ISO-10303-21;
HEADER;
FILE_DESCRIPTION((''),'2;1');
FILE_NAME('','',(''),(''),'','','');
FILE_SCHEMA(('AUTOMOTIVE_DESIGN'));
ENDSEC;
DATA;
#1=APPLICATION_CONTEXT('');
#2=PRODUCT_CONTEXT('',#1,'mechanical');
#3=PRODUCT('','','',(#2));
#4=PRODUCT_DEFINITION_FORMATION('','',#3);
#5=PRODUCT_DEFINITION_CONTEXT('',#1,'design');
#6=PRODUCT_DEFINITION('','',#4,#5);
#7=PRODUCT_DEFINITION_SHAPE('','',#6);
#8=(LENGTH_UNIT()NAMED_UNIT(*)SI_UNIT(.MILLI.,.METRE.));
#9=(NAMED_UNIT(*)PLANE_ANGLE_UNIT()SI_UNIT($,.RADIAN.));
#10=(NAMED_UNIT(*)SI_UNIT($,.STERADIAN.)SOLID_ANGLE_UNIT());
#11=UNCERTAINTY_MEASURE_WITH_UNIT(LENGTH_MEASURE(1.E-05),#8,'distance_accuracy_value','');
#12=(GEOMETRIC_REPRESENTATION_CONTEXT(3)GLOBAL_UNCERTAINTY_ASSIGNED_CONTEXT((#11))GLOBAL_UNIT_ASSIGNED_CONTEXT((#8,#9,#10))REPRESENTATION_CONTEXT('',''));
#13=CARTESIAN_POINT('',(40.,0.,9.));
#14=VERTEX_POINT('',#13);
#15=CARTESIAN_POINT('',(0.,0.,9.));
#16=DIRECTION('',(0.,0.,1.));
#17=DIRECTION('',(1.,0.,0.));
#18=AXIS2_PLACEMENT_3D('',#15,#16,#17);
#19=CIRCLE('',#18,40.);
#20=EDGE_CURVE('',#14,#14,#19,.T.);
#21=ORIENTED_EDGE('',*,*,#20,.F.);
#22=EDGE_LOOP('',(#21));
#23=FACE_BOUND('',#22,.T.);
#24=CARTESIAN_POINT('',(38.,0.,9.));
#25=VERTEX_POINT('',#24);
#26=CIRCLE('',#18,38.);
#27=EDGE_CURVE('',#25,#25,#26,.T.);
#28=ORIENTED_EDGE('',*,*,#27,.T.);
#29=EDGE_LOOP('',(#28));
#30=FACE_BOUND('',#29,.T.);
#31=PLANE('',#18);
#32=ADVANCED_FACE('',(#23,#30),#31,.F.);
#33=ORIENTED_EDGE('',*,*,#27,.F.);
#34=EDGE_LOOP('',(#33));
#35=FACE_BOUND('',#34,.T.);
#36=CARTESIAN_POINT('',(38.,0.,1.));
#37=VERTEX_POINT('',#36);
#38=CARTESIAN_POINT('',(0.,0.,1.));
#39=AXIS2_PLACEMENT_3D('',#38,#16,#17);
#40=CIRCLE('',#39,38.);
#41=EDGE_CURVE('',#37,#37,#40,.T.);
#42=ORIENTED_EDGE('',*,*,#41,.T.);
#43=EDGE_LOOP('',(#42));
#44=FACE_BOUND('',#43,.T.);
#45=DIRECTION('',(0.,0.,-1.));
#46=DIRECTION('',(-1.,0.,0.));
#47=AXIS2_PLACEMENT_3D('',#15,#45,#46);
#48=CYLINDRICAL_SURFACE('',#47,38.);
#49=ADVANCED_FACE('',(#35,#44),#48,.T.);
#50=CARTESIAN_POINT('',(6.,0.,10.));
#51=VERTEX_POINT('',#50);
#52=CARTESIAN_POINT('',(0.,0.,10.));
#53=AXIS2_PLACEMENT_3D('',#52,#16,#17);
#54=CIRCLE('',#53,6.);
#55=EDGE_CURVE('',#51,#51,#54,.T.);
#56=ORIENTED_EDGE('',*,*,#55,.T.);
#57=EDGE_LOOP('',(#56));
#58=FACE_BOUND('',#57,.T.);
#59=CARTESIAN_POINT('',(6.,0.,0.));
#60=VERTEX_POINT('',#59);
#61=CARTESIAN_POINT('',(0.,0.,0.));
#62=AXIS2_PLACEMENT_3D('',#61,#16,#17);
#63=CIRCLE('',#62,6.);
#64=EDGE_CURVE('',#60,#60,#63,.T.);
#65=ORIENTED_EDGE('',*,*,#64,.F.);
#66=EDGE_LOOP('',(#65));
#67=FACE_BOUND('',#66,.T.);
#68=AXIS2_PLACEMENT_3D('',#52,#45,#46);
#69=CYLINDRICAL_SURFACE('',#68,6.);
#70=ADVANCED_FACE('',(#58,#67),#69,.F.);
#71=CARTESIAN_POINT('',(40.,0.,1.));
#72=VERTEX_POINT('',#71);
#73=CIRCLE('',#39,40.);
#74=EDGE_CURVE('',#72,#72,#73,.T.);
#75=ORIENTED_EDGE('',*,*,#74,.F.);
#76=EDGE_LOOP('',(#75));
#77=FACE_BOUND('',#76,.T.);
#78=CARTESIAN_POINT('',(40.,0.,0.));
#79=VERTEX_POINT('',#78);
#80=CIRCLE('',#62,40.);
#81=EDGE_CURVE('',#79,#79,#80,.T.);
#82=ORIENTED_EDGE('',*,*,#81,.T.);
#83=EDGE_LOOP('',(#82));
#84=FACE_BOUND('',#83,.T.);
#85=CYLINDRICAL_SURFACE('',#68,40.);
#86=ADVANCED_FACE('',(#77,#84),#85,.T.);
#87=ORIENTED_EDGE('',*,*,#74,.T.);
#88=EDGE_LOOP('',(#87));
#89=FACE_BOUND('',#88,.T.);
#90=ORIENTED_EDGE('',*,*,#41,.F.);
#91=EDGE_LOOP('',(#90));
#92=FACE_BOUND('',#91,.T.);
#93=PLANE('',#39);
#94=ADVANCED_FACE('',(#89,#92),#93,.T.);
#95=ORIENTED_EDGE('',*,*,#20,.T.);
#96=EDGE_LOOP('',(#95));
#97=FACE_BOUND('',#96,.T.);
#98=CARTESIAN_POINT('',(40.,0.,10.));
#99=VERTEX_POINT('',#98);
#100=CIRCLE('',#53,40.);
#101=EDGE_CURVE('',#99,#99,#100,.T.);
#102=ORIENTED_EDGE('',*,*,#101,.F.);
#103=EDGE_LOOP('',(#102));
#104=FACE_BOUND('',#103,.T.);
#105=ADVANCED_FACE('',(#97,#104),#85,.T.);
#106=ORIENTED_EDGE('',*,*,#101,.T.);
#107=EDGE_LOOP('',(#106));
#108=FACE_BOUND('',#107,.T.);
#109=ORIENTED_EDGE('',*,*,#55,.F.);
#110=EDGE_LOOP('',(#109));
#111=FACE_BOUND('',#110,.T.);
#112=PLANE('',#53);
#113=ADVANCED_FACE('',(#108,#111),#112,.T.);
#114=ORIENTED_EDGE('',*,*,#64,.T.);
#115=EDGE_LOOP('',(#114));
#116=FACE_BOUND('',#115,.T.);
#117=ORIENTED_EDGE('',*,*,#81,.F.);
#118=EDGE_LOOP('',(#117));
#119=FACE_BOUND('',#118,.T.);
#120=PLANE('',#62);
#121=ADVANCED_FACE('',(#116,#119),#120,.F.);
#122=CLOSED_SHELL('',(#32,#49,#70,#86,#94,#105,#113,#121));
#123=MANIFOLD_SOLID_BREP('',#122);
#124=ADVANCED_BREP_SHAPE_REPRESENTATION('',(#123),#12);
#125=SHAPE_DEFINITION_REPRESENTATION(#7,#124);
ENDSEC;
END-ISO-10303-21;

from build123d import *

# Parameters (mm, degrees)
SKETCH1_R           = 40
SKETCH1_R_2         = 6
BOSS_EXTRUDE1_DEPTH = 10
CUT_EXTRUDE1_START  = 1
SKETCH1_3_R         = 40
SKETCH1_3_R_2       = 38
CUT_EXTRUDE1_DEPTH  = 8


with BuildPart() as part:
    # Sketch1 → Boss-Extrude1 (new body)
    with BuildSketch(Plane.XY):
        Circle(SKETCH1_R)
        Circle(SKETCH1_R_2, mode=Mode.SUBTRACT)
    extrude(amount=BOSS_EXTRUDE1_DEPTH)

    # Sketch1<3> → Cut-Extrude1 (cut)
    with BuildSketch(Plane.XY.offset(CUT_EXTRUDE1_START)):
        Circle(SKETCH1_3_R)
        Circle(SKETCH1_3_R_2, mode=Mode.SUBTRACT)
    extrude(amount=CUT_EXTRUDE1_DEPTH, mode=Mode.SUBTRACT)


solid = part.part
